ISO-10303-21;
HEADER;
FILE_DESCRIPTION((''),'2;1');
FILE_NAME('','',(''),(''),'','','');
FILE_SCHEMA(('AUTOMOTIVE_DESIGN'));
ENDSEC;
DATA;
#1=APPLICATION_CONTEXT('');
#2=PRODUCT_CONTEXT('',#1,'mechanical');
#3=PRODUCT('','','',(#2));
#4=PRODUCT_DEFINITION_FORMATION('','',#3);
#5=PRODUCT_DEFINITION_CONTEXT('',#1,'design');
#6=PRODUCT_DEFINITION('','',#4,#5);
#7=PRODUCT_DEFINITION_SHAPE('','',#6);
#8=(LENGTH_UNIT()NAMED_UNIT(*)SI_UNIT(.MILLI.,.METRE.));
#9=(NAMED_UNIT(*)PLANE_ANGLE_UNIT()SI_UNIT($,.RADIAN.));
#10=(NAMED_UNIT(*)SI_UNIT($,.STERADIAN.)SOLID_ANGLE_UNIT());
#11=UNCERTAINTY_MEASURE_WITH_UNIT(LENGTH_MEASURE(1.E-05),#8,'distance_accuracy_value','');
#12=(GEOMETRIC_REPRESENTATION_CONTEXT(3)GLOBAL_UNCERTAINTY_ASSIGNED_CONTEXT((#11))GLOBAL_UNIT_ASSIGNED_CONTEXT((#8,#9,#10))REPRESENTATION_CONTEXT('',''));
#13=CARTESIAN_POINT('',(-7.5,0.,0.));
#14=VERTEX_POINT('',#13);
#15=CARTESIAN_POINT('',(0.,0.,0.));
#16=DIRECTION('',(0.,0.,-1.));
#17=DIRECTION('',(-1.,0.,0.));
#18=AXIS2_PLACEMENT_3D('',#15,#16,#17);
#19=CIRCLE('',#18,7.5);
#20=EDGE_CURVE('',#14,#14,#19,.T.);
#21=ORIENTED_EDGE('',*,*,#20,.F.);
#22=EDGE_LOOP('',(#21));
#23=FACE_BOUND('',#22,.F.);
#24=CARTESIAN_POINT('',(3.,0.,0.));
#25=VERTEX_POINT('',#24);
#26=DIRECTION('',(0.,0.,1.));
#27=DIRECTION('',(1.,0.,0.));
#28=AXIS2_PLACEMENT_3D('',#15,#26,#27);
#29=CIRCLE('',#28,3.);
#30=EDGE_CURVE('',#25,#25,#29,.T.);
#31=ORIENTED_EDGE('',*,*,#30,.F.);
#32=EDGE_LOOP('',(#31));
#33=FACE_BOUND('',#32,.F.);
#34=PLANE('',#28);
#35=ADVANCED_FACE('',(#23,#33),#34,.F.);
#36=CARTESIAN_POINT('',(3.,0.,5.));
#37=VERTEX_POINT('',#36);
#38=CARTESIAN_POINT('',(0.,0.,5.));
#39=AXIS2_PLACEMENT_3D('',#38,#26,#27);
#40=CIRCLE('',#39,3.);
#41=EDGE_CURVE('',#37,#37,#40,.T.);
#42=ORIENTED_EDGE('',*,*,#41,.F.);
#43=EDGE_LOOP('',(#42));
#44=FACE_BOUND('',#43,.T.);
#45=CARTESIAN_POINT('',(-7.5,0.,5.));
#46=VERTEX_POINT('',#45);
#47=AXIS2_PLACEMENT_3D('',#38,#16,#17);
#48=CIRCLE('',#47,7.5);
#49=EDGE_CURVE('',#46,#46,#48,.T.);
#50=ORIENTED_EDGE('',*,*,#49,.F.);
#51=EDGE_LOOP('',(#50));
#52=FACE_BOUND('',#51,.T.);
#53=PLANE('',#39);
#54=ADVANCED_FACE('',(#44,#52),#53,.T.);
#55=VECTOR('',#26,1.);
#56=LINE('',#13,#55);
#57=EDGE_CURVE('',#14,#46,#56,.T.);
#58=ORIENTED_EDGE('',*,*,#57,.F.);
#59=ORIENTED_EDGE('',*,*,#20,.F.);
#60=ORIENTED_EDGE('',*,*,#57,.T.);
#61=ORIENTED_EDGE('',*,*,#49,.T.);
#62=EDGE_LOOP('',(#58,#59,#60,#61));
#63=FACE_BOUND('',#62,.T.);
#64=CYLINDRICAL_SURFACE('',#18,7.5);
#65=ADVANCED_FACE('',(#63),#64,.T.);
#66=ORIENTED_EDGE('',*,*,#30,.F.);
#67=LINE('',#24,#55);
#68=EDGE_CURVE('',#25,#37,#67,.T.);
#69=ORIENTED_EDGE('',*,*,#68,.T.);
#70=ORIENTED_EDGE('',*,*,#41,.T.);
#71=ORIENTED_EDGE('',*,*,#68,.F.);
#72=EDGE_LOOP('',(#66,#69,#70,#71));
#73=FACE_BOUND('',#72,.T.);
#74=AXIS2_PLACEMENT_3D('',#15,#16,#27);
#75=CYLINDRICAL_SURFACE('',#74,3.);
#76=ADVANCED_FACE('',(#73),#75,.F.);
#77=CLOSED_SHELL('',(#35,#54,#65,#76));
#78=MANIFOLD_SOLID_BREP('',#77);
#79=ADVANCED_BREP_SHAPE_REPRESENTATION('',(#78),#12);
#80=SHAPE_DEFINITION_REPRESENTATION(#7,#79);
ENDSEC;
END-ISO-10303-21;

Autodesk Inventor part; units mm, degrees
ref_plane "YZ Plane" through (0, 0, 0) normal (1, 0, 0) x (0, 1, 0)
ref_plane "XZ Plane" through (0, 0, 0) normal (0, 1, 0) x (-1, 0, 0)
ref_plane "XY Plane" through (0, 0, 0) normal (0, 0, 1) x (1, 0, 0)
sketch "스케치1" plane through (0, 0, 0) normal (0, 0, 1) x (1, 0, 0)
  circle A0 centre (0, 0) radius 8.5
  circle A1 centre (0, 0) radius 3
  dimension "d0" = 17
  dimension "d1" = 6
extrude "돌출1" add sketch "스케치1" along normal blind 5
sketch "스케치2" plane through (0, 0, 0) normal (0, 0, -1) x (-1, 0, 0)
  circle A0 centre (0, 0) radius 8.5 projected
  circle A1 centre (0, 0) radius 3 projected
  circle A2 centre (0, 0) radius 7.5
  dimension "d4" = 15
extrude "돌출2" cut sketch "스케치2" against normal blind 10 contours A0
properties part number "6파이베어링" material "스테인레스 스틸"
